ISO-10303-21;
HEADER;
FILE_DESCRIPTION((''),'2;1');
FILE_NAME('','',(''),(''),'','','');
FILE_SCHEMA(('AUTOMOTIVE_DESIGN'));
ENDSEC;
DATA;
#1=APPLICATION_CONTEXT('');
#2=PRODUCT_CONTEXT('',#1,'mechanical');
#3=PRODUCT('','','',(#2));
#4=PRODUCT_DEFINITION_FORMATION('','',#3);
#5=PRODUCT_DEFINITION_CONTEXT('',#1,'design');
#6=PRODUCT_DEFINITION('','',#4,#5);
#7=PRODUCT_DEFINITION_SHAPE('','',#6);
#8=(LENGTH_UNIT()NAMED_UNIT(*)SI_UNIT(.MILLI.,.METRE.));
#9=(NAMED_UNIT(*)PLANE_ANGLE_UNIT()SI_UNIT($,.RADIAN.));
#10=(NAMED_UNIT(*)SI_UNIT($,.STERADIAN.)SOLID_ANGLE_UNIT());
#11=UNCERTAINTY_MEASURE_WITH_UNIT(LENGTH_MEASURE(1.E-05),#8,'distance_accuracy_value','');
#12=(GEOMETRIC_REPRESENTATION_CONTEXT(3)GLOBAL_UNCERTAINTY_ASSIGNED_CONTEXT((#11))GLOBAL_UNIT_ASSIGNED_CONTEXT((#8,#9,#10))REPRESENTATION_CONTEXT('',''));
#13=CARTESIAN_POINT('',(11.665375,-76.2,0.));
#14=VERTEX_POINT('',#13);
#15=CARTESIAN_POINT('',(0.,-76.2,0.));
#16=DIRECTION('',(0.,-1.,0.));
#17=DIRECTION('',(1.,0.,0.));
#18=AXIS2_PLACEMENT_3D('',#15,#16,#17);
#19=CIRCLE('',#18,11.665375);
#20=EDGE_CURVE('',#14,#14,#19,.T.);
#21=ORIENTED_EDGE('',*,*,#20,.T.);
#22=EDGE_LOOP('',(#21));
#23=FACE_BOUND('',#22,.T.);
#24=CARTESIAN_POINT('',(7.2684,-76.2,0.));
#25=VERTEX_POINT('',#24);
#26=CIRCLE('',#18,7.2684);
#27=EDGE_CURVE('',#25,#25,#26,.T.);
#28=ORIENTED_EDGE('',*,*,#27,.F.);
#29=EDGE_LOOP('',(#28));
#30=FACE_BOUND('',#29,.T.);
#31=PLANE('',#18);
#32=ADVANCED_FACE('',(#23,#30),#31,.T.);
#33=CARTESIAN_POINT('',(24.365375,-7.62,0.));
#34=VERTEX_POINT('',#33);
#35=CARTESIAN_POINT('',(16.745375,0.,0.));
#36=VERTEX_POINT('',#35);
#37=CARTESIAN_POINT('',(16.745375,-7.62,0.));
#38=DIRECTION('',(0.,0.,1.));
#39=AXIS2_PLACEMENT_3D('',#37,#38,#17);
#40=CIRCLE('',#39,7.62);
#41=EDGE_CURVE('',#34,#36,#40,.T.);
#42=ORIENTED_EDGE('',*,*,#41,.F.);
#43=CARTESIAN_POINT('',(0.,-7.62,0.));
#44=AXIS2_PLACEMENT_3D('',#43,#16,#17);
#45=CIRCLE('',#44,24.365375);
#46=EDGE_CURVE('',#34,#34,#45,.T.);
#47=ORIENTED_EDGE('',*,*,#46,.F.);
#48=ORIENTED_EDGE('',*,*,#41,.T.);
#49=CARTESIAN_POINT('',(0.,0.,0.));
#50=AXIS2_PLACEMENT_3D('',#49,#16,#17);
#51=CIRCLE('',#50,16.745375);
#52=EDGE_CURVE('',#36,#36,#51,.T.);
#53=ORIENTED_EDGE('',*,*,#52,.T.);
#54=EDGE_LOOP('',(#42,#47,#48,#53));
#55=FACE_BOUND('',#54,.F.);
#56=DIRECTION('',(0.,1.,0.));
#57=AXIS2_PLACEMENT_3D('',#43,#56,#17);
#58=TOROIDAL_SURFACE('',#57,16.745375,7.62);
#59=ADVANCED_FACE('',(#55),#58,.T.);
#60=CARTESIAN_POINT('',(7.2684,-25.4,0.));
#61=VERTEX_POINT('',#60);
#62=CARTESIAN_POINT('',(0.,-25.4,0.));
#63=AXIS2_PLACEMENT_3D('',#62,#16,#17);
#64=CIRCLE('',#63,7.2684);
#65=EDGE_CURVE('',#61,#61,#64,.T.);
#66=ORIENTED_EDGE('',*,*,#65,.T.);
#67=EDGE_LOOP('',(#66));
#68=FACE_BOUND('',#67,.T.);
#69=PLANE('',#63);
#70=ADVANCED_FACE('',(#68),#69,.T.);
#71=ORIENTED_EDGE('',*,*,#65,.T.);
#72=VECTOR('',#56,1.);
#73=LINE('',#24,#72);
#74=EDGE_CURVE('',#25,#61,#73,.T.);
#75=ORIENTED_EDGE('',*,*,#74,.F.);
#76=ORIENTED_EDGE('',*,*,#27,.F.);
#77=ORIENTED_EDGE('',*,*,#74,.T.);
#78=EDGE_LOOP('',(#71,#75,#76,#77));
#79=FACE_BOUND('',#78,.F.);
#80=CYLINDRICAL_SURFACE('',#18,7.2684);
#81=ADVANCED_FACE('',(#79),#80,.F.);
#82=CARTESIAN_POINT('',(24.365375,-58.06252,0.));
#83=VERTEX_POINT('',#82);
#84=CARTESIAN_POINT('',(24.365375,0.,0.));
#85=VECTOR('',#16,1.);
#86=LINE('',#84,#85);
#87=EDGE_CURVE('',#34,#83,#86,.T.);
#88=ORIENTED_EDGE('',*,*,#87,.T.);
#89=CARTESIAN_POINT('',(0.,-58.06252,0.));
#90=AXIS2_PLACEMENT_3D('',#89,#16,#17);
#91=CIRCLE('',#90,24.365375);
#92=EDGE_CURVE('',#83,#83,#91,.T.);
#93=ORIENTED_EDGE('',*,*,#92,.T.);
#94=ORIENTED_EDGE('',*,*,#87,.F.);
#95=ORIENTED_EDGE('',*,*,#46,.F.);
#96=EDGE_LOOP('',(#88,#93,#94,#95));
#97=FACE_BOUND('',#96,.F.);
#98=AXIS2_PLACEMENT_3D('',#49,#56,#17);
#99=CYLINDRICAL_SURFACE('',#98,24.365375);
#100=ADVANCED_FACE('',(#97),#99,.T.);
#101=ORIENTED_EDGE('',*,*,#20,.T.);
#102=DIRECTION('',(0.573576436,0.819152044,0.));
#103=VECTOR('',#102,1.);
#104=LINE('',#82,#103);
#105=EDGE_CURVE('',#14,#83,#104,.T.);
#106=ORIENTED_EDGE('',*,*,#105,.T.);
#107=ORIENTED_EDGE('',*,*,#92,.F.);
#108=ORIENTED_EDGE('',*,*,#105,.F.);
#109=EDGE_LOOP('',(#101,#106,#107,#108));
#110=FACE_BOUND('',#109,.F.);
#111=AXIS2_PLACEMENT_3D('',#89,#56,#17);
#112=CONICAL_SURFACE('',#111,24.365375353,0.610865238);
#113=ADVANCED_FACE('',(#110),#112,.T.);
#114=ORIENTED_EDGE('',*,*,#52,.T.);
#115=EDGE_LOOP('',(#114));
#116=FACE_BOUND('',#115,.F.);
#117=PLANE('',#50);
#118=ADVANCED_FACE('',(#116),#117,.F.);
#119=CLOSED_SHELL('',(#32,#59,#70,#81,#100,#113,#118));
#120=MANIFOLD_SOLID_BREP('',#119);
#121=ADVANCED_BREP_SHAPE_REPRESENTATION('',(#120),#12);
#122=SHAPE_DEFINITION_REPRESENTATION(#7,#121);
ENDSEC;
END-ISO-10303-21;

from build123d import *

# Parameters (mm, degrees)
F0_R     = 24.3653753529
F1_DEPTH = 76.2
F2_R     = 7.62
F3_R     = 7.2684002017
F4_DEPTH = 50.8
F5_SIZE2 = 18.1374796856
F5_SIZE  = 12.7


with BuildPart() as f1:
    # F0 (on Front) → F1 (new body)
    with BuildSketch(Plane.XZ):
        Circle(F0_R)
    extrude(amount=F1_DEPTH)

    # F2
    f2_edges = [f1.edges().sort_by_distance(p)[0] for p in [
        (-24.365375, 0, 0),
    ]]
    fillet(f2_edges, radius=F2_R)

    # F3 (on face) → F4 (cut)
    with BuildSketch(Plane.XZ.offset(76.2)):
        Circle(F3_R)
    extrude(amount=-F4_DEPTH, mode=Mode.SUBTRACT)

    # F5
    f5_edges = [f1.edges().sort_by_distance(p)[0] for p in [
        (-24.365375, -76.2, 0),
    ]]
    f5_side = f1.faces().sort_by_distance((-23.676218, -76.2, 0))[0]
    chamfer(f5_edges, length=F5_SIZE, length2=F5_SIZE2, reference=f5_side)


solid = f1.part
